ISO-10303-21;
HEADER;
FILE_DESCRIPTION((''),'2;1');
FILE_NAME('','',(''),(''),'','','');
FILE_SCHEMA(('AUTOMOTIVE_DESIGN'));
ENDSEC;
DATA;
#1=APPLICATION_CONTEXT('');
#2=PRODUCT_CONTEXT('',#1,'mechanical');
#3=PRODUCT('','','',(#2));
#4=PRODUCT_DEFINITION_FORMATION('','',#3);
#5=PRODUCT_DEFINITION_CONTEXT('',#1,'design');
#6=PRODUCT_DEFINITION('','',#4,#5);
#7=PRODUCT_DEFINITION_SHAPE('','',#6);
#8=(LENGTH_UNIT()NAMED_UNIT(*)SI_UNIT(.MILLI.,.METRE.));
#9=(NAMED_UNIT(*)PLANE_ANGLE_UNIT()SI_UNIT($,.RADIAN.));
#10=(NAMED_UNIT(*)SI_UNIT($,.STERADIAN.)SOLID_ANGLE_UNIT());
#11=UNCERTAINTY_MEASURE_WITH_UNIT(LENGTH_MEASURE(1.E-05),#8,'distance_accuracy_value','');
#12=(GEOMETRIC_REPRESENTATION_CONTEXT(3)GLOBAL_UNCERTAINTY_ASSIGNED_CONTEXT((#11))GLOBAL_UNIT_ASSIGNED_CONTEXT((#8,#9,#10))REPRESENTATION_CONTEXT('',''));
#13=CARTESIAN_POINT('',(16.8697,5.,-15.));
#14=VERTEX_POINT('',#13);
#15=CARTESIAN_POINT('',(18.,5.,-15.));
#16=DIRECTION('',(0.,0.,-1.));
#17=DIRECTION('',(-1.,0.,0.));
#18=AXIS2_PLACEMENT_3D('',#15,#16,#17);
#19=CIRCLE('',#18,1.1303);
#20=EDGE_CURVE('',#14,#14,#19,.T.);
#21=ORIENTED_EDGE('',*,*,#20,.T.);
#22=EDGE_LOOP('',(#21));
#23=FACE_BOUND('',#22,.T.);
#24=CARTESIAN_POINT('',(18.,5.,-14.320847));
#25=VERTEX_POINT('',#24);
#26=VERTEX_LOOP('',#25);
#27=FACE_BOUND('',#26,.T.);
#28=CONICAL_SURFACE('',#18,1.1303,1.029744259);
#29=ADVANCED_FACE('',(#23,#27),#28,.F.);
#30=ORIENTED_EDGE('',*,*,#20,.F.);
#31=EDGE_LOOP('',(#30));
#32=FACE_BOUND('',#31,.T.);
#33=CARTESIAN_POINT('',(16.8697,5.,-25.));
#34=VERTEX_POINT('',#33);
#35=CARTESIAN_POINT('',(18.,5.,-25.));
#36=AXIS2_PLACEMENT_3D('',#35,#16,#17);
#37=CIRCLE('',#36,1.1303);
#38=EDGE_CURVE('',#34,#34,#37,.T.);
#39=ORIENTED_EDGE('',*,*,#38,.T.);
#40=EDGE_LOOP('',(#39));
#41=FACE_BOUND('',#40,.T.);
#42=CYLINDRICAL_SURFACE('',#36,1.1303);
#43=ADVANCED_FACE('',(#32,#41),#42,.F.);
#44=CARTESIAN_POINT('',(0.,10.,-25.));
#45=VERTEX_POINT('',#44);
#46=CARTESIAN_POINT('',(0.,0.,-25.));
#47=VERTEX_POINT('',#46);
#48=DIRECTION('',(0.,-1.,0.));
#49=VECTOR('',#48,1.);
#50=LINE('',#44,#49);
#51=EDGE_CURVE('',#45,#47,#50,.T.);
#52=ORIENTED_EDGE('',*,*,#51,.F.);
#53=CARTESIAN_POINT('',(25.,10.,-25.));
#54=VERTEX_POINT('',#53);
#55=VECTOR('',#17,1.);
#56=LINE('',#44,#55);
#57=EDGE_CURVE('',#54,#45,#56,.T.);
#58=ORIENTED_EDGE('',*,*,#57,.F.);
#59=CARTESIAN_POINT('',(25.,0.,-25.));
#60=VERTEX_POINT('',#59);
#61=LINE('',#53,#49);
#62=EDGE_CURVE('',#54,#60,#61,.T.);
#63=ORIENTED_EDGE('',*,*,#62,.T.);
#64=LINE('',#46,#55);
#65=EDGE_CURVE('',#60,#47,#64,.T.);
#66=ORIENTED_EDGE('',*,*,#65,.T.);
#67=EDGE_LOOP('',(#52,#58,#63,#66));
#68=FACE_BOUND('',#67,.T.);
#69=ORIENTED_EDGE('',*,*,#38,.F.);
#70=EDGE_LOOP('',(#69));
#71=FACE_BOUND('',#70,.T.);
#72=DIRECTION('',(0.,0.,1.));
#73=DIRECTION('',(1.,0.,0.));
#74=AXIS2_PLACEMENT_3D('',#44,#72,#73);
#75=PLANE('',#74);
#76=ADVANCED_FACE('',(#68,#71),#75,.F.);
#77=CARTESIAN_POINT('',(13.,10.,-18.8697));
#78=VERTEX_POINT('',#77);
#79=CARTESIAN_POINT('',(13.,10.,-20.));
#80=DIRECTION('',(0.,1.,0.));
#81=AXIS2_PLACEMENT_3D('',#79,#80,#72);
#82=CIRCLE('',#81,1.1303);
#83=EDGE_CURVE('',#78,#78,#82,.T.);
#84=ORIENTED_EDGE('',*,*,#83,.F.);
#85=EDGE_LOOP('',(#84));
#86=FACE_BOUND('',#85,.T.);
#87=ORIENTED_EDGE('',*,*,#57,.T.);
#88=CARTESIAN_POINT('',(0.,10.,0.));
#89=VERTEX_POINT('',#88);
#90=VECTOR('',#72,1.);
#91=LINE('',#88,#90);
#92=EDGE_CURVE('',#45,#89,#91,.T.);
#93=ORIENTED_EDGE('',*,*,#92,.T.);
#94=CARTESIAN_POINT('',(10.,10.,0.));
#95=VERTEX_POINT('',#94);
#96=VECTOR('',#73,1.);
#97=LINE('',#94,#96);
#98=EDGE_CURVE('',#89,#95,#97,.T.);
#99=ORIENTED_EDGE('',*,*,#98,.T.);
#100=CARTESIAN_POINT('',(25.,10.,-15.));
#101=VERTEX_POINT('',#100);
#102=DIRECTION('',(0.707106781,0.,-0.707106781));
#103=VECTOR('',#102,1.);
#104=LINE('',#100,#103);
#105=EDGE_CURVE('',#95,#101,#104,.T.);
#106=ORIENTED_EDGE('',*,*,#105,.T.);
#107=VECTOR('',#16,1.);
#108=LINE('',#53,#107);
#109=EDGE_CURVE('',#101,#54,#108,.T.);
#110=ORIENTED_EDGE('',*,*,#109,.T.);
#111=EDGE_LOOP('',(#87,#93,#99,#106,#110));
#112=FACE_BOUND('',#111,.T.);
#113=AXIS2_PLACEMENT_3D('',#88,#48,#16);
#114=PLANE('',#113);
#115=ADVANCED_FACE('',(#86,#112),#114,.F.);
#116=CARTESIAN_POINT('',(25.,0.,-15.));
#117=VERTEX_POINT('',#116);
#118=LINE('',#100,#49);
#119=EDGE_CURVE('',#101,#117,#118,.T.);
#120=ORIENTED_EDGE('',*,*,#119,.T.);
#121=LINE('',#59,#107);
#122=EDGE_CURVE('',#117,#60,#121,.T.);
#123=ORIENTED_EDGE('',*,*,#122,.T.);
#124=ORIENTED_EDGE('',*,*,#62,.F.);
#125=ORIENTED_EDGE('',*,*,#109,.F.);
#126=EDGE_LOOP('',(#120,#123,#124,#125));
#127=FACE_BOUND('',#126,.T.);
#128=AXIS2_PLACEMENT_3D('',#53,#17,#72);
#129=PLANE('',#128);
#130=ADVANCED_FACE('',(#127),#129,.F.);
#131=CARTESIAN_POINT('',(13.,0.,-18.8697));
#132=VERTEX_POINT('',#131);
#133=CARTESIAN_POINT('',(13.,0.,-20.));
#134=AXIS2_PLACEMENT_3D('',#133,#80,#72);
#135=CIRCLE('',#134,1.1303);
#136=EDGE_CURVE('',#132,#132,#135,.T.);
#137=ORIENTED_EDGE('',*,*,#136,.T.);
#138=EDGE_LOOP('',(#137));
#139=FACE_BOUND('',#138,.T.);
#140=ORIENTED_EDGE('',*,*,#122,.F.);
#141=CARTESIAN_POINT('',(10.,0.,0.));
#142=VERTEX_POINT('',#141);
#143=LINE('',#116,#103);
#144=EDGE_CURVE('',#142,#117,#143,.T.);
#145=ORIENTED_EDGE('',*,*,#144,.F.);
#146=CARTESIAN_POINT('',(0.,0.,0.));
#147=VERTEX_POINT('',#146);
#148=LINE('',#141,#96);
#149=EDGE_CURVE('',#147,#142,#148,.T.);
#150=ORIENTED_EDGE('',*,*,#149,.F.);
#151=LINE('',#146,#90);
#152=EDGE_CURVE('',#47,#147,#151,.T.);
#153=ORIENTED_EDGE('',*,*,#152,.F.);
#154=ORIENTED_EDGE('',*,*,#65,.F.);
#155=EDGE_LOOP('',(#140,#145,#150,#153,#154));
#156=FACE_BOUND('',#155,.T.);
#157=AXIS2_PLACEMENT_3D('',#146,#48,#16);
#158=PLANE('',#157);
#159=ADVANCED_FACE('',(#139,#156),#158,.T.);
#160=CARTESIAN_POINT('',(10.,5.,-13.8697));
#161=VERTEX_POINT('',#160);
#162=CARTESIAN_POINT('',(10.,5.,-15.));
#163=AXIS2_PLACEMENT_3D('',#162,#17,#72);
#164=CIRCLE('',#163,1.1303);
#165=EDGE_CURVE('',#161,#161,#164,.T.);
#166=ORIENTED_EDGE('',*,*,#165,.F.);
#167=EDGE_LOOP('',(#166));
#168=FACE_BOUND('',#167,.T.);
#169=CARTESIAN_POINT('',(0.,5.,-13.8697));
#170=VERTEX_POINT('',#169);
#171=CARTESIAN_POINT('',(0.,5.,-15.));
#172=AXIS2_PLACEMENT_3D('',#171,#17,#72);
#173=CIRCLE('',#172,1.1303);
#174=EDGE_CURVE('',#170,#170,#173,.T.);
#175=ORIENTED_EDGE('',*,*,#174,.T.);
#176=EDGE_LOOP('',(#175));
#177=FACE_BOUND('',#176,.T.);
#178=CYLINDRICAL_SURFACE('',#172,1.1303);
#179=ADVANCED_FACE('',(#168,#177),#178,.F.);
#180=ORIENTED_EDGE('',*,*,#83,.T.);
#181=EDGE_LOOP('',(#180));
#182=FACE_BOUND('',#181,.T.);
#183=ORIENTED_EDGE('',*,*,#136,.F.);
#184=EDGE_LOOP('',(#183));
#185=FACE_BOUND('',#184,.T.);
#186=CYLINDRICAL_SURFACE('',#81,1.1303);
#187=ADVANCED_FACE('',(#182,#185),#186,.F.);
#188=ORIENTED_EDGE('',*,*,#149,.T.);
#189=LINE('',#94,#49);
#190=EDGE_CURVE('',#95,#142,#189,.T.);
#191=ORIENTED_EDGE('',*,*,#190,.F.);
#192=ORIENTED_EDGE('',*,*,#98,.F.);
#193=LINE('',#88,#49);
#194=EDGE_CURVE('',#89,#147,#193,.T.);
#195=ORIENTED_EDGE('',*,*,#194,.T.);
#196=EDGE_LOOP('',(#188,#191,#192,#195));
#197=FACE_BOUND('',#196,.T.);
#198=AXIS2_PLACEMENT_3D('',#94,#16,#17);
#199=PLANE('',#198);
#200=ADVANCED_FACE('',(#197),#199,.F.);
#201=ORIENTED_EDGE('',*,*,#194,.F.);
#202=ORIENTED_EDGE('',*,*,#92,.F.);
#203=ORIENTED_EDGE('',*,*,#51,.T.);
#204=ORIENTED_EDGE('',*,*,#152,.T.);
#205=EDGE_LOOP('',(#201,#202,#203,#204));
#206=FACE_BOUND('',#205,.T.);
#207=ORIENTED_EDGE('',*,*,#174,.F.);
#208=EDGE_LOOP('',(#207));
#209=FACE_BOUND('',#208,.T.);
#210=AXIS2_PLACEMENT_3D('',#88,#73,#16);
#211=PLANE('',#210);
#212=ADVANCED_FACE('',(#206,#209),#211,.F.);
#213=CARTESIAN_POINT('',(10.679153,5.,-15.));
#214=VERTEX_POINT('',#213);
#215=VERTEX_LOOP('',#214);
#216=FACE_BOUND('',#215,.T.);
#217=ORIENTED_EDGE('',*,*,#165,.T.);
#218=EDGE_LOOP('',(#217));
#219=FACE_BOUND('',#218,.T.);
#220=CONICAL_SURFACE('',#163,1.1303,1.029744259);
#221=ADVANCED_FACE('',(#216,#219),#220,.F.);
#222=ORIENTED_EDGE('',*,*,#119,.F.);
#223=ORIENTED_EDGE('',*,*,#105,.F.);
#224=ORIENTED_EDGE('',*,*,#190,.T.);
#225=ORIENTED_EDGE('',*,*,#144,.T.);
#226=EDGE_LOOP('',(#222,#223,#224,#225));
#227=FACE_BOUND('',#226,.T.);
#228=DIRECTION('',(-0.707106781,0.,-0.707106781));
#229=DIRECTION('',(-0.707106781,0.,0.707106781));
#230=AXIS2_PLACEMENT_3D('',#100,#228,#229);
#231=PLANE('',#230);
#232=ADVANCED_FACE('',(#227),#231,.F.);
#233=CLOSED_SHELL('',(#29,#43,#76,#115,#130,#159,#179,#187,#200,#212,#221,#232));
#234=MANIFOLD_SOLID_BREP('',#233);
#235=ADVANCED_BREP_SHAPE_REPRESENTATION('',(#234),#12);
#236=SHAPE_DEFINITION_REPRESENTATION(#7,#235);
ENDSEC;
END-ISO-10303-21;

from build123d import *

# Parameters (mm, degrees)
BOSS_EXTRUDE1_DEPTH       = 10
F_4_40_TAPPED_HOLE1_D     = 2.2606
F_4_40_TAPPED_HOLE1_DEPTH = 10
F_4_40_TAPPED_HOLE1_TIP   = 0.679152758
F_4_40_TAPPED_HOLE2_D     = 2.2606
F_4_40_TAPPED_HOLE2_DEPTH = 10
F_4_40_TAPPED_HOLE2_TIP   = 0.679152758
F_4_40_TAPPED_HOLE3_D     = 2.2606
F_4_40_TAPPED_HOLE3_DEPTH = 10
F_4_40_TAPPED_HOLE3_TIP   = 0.679152758


with BuildPart() as part:
    # Sketch1 → Boss-Extrude1 (new body)
    with BuildSketch(Plane(origin=(0, 0, 0), x_dir=(1, 0, 0), z_dir=(0, 1, 0))):
        Polygon((0, 0), (0, 25), (25, 25), (25, 15), (10, 0), align=None)
    extrude(amount=BOSS_EXTRUDE1_DEPTH)

    # #4-40 Tapped Hole1
    with Locations(Plane.ZY):
        with Locations((-15, 5)):
            Hole(F_4_40_TAPPED_HOLE1_D / 2, depth=F_4_40_TAPPED_HOLE1_DEPTH)
            with Locations((0, 0, -(F_4_40_TAPPED_HOLE1_DEPTH + F_4_40_TAPPED_HOLE1_TIP / 2))):  # 118° drill point
                Cone(0, F_4_40_TAPPED_HOLE1_D / 2, F_4_40_TAPPED_HOLE1_TIP, mode=Mode.SUBTRACT)

    # #4-40 Tapped Hole2
    with Locations(Plane(origin=(0, 10, 0), x_dir=(1, 0, 0), z_dir=(0, 1, 0))):
        with Locations((13, 20)):
            Hole(F_4_40_TAPPED_HOLE2_D / 2, depth=F_4_40_TAPPED_HOLE2_DEPTH)
            with Locations((0, 0, -(F_4_40_TAPPED_HOLE2_DEPTH + F_4_40_TAPPED_HOLE2_TIP / 2))):  # 118° drill point
                Cone(0, F_4_40_TAPPED_HOLE2_D / 2, F_4_40_TAPPED_HOLE2_TIP, mode=Mode.SUBTRACT)

    # #4-40 Tapped Hole3
    with Locations(Plane(origin=(0, 0, -25), x_dir=(-1, 0, 0), z_dir=(0, 0, -1))):
        with Locations((-18, 5)):
            Hole(F_4_40_TAPPED_HOLE3_D / 2, depth=F_4_40_TAPPED_HOLE3_DEPTH)
            with Locations((0, 0, -(F_4_40_TAPPED_HOLE3_DEPTH + F_4_40_TAPPED_HOLE3_TIP / 2))):  # 118° drill point
                Cone(0, F_4_40_TAPPED_HOLE3_D / 2, F_4_40_TAPPED_HOLE3_TIP, mode=Mode.SUBTRACT)


solid = part.part
